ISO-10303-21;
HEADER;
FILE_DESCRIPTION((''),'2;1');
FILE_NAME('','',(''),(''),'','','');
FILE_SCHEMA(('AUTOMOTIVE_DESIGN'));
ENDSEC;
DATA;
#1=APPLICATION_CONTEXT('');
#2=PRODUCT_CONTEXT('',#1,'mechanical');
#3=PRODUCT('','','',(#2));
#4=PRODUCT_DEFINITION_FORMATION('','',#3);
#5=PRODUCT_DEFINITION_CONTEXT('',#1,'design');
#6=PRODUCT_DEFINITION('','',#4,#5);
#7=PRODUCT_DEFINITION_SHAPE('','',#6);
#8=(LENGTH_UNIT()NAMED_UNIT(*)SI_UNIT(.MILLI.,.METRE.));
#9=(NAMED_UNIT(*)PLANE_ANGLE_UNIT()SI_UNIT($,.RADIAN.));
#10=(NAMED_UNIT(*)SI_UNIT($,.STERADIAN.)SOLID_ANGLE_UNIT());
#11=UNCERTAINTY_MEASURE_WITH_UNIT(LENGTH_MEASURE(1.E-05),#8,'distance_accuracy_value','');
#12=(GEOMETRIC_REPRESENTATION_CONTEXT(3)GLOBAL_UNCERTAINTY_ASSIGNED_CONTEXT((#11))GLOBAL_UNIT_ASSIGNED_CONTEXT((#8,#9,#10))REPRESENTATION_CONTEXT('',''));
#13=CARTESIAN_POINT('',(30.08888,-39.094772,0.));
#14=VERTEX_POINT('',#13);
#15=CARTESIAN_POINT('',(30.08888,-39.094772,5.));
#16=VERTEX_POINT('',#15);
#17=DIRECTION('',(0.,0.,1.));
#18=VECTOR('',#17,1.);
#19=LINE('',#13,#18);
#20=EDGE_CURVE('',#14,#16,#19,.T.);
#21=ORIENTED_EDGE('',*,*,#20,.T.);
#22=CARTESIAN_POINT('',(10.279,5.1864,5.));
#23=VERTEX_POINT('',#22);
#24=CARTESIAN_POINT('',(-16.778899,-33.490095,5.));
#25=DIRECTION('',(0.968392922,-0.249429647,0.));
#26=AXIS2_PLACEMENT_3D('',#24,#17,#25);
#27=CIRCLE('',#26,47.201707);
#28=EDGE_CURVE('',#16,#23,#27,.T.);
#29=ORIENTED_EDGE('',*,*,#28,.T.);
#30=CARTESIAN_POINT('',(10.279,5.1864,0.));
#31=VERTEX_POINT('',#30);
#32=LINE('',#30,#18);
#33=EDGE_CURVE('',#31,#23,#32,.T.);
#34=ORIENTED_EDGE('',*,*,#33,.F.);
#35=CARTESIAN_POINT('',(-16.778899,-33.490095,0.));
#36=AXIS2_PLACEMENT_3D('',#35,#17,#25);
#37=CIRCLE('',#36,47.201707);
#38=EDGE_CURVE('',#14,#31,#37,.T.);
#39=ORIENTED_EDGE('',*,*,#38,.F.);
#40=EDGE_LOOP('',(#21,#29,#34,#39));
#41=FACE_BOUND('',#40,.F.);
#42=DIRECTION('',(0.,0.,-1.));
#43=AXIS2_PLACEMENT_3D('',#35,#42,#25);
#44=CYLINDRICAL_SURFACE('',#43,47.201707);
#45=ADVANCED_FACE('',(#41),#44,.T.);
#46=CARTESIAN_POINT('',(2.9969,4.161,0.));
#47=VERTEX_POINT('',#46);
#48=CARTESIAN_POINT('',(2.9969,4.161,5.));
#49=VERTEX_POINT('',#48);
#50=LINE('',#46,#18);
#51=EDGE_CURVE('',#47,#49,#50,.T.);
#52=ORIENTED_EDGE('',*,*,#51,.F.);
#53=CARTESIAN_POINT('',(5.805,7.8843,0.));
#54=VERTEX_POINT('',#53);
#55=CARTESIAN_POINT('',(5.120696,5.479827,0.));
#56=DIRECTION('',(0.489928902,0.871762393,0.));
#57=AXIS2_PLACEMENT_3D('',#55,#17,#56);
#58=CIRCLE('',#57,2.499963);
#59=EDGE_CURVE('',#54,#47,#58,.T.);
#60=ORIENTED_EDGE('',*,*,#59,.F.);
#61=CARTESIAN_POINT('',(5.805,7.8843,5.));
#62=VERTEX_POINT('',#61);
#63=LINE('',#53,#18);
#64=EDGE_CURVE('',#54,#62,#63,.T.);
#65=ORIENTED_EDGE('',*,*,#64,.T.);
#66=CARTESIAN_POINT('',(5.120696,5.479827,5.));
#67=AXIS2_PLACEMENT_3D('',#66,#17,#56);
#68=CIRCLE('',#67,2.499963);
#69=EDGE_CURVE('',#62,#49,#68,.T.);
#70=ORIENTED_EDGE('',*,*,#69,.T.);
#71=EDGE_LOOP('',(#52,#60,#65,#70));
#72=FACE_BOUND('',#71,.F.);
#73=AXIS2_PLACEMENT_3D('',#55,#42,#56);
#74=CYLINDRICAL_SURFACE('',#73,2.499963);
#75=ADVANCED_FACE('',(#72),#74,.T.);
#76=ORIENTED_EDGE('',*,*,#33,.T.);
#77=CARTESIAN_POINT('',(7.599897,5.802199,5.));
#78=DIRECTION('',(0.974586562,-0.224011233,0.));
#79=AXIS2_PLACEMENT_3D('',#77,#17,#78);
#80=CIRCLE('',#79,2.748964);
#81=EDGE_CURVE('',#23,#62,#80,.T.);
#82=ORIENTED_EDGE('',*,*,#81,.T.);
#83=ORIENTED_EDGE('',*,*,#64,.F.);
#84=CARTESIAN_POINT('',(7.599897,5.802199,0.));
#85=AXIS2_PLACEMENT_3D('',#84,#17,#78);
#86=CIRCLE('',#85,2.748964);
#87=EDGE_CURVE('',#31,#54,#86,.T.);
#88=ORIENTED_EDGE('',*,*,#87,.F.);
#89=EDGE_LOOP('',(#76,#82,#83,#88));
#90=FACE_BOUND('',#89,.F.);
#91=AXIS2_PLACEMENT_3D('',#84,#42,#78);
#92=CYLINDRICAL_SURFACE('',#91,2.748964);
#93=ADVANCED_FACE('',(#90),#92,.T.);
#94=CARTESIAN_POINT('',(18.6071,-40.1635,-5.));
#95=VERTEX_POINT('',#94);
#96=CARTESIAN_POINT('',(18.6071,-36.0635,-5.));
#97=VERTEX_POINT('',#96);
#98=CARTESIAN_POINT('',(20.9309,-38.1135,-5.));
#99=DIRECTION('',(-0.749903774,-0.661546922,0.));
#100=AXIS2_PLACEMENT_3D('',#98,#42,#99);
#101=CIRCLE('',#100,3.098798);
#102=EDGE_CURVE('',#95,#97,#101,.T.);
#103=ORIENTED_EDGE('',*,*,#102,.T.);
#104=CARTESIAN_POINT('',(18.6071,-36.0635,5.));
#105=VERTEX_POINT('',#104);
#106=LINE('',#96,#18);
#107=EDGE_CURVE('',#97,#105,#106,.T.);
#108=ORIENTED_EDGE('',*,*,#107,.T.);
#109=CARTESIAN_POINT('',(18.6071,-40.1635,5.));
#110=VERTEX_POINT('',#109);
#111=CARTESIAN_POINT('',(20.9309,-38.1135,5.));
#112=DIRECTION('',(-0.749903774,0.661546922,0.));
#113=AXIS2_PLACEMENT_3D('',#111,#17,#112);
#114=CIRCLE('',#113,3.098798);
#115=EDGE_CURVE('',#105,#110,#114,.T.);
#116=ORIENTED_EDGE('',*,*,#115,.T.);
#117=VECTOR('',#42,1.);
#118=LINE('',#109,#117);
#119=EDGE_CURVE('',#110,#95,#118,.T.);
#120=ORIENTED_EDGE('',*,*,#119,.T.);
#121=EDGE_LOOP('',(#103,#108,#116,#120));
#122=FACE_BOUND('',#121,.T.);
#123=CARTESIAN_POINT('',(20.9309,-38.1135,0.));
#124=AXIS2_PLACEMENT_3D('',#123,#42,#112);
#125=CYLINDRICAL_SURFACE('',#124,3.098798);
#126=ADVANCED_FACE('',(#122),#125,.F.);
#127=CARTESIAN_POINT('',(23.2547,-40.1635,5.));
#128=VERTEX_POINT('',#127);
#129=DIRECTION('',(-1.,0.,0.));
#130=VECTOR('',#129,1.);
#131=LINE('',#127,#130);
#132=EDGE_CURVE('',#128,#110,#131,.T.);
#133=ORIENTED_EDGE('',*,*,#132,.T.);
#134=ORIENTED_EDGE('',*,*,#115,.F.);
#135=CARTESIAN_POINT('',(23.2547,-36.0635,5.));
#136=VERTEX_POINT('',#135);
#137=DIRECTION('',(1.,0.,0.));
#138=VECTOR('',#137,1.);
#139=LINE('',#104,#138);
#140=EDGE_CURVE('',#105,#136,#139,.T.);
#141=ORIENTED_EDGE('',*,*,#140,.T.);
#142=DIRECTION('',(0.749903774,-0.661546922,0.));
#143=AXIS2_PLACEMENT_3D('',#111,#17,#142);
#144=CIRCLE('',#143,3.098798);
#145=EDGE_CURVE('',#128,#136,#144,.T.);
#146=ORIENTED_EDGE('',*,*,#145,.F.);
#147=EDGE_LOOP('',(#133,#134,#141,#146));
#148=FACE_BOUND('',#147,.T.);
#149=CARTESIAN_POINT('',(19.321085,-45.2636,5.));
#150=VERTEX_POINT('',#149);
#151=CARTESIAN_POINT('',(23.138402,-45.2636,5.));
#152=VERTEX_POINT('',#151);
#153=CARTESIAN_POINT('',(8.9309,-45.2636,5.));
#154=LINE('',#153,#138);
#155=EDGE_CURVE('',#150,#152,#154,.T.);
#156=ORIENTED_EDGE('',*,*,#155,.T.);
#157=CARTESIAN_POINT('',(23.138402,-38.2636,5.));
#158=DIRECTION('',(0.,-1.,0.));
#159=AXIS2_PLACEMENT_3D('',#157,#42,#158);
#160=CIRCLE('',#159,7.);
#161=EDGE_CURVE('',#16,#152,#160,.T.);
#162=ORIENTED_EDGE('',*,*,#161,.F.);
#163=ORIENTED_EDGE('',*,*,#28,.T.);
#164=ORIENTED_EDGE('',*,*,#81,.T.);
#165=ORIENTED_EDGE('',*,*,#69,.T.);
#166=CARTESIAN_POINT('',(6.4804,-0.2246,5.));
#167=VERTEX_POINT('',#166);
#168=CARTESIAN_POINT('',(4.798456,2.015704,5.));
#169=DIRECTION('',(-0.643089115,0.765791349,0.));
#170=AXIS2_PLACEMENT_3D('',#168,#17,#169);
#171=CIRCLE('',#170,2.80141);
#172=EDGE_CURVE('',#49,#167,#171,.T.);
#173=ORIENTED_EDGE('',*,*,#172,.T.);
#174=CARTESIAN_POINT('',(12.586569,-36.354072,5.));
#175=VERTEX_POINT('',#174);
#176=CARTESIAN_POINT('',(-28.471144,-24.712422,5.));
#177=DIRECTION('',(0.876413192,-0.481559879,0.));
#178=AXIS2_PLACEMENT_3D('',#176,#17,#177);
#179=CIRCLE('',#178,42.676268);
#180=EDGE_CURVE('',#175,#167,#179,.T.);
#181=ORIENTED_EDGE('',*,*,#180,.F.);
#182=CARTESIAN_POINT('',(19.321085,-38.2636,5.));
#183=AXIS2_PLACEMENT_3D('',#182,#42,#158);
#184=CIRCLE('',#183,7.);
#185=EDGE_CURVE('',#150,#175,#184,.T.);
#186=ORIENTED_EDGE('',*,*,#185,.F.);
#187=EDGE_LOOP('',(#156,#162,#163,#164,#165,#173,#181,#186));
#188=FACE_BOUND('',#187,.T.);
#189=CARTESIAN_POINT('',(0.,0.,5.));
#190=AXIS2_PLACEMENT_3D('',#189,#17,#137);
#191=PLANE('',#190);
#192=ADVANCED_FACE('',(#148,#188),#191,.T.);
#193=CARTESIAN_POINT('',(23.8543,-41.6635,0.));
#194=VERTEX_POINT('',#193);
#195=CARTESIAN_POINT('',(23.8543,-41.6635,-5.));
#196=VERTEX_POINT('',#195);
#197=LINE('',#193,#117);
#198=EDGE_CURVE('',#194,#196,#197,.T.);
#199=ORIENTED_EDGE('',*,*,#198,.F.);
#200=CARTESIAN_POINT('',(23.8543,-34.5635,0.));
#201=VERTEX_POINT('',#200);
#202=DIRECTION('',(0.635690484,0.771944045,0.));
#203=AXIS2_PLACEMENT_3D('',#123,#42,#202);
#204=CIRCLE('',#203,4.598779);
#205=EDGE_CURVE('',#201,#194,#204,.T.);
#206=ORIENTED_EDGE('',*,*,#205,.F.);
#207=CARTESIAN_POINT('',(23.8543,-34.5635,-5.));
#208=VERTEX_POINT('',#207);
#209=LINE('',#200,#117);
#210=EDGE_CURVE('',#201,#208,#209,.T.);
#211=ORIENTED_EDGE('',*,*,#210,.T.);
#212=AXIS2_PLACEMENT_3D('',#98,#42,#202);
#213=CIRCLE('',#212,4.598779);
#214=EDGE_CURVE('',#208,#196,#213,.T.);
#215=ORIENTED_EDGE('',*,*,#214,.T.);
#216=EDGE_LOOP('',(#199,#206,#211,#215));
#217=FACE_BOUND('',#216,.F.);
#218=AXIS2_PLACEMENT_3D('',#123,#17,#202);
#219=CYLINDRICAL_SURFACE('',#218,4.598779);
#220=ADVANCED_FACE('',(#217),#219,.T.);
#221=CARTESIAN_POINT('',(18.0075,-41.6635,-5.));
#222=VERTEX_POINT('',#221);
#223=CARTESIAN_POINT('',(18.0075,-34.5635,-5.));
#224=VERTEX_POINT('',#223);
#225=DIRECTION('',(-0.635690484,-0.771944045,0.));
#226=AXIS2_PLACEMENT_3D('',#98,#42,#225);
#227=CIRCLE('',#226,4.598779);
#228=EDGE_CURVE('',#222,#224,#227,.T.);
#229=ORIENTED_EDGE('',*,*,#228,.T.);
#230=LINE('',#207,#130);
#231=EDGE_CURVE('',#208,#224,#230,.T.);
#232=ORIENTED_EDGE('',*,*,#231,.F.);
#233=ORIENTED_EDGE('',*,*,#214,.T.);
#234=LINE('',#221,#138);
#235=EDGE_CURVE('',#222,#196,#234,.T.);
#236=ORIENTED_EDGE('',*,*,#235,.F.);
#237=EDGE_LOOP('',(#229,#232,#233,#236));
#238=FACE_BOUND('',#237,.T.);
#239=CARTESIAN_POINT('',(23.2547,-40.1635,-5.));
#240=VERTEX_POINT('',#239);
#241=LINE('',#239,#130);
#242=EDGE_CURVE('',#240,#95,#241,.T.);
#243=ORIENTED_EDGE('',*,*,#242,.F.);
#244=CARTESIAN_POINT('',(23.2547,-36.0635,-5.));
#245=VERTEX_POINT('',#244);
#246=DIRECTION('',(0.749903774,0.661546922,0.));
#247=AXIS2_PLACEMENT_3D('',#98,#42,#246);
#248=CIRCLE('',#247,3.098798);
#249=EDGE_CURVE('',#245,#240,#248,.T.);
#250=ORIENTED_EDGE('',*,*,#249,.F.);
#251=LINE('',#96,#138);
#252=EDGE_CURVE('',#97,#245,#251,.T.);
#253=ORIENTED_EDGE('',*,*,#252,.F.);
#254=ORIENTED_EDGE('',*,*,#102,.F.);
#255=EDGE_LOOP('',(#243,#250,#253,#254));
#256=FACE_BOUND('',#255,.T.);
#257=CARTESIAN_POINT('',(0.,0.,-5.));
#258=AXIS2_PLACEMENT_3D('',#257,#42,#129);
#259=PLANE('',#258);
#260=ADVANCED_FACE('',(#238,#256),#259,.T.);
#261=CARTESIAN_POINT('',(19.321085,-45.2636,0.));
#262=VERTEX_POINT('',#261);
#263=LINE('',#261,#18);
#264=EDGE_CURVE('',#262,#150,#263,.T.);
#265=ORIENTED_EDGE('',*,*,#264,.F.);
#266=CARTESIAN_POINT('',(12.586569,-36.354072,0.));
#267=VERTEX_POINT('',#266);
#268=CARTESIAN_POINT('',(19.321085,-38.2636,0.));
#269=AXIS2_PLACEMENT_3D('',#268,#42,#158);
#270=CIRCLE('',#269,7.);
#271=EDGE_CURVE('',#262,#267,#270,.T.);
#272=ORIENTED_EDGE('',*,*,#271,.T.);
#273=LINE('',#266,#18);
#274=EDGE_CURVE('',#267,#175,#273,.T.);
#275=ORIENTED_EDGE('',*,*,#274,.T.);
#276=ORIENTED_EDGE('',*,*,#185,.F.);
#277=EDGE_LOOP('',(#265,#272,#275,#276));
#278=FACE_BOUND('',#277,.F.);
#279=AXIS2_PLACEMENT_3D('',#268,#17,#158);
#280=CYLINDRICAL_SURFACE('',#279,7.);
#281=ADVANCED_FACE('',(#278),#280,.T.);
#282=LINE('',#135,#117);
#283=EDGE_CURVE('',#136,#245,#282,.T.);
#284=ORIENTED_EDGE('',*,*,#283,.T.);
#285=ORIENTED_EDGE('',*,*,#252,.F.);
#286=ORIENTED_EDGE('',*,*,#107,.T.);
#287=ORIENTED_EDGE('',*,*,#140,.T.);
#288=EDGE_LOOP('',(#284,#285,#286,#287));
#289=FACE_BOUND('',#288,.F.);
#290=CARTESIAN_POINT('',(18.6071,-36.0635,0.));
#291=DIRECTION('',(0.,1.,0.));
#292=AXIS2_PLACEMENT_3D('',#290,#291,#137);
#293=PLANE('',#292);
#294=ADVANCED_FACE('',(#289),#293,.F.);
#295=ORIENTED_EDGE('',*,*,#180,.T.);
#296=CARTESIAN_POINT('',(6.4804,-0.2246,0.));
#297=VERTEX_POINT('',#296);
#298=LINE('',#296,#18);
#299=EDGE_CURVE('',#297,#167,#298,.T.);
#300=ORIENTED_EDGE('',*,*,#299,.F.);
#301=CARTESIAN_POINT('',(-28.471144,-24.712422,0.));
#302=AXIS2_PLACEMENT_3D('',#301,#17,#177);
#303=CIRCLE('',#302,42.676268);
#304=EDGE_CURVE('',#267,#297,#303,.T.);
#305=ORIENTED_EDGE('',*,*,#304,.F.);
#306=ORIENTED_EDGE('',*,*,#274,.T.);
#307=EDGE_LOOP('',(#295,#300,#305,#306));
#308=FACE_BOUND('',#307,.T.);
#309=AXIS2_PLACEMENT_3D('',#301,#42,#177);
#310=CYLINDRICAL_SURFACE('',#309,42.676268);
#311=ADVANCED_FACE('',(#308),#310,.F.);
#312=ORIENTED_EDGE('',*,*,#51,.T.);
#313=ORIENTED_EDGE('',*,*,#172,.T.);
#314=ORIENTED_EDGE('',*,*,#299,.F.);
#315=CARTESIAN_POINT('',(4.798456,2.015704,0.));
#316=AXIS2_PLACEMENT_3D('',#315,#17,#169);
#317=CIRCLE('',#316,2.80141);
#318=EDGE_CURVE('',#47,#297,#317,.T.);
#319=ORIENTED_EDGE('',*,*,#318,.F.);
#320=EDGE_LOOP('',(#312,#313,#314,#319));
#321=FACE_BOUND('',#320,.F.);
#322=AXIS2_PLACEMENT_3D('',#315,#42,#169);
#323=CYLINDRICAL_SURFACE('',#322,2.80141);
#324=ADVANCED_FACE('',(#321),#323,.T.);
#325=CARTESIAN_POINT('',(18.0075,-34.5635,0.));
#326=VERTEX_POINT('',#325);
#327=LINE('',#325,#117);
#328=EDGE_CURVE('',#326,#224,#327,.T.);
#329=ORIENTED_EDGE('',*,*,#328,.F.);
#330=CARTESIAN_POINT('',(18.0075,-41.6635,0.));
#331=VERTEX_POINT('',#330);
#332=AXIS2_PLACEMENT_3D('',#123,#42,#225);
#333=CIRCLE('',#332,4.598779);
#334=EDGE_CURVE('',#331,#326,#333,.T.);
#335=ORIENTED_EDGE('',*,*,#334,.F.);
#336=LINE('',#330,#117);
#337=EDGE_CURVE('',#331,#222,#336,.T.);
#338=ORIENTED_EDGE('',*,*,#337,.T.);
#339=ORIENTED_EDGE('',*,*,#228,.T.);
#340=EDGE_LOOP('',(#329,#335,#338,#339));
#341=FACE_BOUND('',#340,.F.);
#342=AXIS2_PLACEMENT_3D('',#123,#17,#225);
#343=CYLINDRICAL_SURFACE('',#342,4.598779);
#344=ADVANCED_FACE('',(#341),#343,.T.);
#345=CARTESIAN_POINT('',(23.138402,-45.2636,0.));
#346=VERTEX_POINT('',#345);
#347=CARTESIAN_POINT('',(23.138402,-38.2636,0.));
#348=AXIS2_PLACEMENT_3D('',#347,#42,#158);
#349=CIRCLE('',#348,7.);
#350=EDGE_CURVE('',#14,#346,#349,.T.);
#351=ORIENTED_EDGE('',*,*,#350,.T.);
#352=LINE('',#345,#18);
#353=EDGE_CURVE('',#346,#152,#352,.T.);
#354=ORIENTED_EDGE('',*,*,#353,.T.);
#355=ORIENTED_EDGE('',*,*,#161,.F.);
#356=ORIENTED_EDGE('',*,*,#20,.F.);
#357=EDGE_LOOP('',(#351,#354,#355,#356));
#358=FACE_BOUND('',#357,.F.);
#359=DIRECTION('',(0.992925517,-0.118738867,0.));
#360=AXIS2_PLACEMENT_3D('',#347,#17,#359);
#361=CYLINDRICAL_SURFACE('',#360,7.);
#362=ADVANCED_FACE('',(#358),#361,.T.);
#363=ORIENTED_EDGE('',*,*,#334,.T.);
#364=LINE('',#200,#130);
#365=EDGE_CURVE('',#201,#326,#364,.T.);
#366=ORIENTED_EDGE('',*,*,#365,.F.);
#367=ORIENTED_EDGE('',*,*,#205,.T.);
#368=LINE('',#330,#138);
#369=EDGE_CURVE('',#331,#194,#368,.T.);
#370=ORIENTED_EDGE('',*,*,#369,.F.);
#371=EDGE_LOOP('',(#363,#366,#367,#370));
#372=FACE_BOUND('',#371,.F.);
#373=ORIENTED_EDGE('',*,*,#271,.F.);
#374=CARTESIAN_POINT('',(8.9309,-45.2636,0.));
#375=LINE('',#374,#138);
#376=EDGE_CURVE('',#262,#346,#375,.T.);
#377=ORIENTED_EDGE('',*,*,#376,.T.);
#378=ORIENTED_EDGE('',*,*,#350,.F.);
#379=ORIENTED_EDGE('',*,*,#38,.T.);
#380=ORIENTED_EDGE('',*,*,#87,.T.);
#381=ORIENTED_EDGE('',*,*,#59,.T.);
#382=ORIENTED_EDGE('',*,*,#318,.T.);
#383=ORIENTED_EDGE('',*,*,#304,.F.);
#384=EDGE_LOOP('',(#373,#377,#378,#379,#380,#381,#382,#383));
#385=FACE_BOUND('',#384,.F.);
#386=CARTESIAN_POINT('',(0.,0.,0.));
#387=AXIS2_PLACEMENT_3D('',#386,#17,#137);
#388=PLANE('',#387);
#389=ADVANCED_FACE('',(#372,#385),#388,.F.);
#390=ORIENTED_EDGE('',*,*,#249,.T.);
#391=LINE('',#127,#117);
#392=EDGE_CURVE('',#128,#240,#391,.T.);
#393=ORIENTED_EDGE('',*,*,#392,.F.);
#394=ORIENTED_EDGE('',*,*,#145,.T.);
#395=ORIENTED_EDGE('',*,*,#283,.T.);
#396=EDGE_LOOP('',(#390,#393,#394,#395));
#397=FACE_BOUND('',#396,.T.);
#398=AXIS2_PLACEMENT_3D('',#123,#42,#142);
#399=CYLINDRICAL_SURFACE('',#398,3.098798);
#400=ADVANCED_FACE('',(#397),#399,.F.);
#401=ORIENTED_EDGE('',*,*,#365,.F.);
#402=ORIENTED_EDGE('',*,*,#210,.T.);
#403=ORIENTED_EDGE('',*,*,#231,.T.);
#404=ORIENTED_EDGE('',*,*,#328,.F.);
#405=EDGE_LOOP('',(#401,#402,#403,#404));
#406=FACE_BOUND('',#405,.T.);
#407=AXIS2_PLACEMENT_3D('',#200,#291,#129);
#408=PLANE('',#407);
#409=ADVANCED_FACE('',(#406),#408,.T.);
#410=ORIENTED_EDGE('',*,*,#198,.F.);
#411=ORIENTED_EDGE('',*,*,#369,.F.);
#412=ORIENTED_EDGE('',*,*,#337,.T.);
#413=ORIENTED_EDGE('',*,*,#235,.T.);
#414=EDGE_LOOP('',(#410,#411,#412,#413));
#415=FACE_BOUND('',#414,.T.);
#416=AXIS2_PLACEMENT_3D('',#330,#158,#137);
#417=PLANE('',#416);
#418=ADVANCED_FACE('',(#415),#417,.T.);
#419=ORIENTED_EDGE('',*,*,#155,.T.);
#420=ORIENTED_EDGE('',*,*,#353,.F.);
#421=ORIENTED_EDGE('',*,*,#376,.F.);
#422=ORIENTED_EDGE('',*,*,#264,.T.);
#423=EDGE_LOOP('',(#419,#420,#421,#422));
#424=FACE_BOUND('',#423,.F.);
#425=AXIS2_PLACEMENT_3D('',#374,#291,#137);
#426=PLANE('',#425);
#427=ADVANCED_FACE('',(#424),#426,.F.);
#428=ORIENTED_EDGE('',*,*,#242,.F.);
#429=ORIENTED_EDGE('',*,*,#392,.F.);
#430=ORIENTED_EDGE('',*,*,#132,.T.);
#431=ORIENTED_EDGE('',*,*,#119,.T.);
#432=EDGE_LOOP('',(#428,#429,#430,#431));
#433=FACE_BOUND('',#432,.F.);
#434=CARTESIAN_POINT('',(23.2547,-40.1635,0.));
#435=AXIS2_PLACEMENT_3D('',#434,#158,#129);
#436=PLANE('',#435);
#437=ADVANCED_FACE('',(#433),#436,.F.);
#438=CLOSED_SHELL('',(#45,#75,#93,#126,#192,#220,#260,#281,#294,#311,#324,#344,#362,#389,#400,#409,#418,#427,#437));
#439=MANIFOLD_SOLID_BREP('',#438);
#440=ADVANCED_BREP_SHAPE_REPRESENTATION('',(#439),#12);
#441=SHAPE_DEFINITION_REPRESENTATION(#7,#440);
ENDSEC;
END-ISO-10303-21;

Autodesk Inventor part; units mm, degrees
ref_plane "YZ Plane" through (0, 0, 0) normal (1, 0, 0) x (0, 1, 0)
ref_plane "XZ Plane" through (0, 0, 0) normal (0, 1, 0) x (-1, 0, 0)
ref_plane "XY Plane" through (0, 0, 0) normal (0, 0, 1) x (1, 0, 0)
sketch "Sketch1" plane through (0, 0, 0) normal (0, 0, 1) x (1, 0, 0)
  arc A0 (6.3455, 7.6592) -> (2.9969, 4.161) centre (5.1207, 5.4798) ccw
  arc A1 (28.9309, -45.2636) -> (10.279, 5.1864) centre (-16.779, -33.4901) ccw
  arc A2 (8.9309, -45.2636) -> (6.4804, -0.2246) centre (-28.4708, -24.7125) ccw
  line L0 (8.9309, -45.2636) -> (28.9309, -45.2636)
  line L1 (22.9916, -36.6135) -> (18.8703, -36.6135)
  line L2 (22.9916, -39.6135) -> (18.8703, -39.6135)
  line L3 (20.9309, -34.0784) -> (20.9309, -41.4431) construction
  line L4 (22.8639, -38.1135) -> (15.5009, -38.1135) construction
  arc A3 (18.8703, -36.6135) -> (18.8703, -39.6135) centre (20.9309, -38.1135) ccw
  arc A4 (22.9916, -39.6135) -> (22.9916, -36.6135) centre (20.9309, -38.1135) ccw
  line L5 (18.6071, -36.0635) -> (23.2547, -36.0635)
  arc A5 (23.2547, -40.1635) -> (23.2547, -36.0635) centre (20.9309, -38.1135) ccw
  line L6 (23.2547, -40.1635) -> (18.6071, -40.1635)
  arc A6 (18.6071, -36.0635) -> (18.6071, -40.1635) centre (20.9309, -38.1135) ccw
  arc A7 (2.9969, 4.161) -> (6.4804, -0.2246) centre (4.7985, 2.0157) ccw
  arc A8 (10.279, 5.1864) -> (5.805, 7.8843) centre (7.5999, 5.8022) ccw
  point P0 (0, 0)
  dimension "d25" = 2.5
  dimension "d32" = 20
  dimension "d40" = 1.5
  dimension "d41" = 1.5
  dimension "d42" = 8
  dimension "d43" = 7.1502
  dimension "d44" = 0.55
extrude "Extrusion1" add sketch "Sketch1" along normal blind 5 contours A8 A1 L0 A2 A7 A0
sketch "Sketch3" plane through (0, 0, 0) normal (0, 0, -1) x (-1, 0, 0)
  line L0 (-18.6071, -36.0635) -> (-23.2547, -36.0635) projected
  arc A0 (-23.2547, -36.0635) -> (-23.2547, -40.1635) centre (-20.9309, -38.1135) ccw projected
  line L1 (-23.2547, -40.1635) -> (-18.6071, -40.1635) projected
  arc A1 (-18.6071, -40.1635) -> (-18.6071, -36.0635) centre (-20.9309, -38.1135) ccw projected
  line L2 (-23.8543, -34.5635) -> (-18.0075, -34.5635)
  arc A2 (-18.0075, -41.6635) -> (-18.0075, -34.5635) centre (-20.9309, -38.1135) ccw
  line L3 (-18.0075, -41.6635) -> (-23.8543, -41.6635)
  arc A3 (-23.8543, -34.5635) -> (-23.8543, -41.6635) centre (-20.9309, -38.1135) ccw
  point P0 (0, 0)
  dimension "d45" = 1.5
extrude "Extrusion3" add sketch "Sketch3" along normal blind 5
fillet "Fillet2" radius 7 2 edges at (8.9309, -45.2636, 2.5) (28.9309, -45.2636, 2.5)
properties part number "mavac_ruka I guesss"
